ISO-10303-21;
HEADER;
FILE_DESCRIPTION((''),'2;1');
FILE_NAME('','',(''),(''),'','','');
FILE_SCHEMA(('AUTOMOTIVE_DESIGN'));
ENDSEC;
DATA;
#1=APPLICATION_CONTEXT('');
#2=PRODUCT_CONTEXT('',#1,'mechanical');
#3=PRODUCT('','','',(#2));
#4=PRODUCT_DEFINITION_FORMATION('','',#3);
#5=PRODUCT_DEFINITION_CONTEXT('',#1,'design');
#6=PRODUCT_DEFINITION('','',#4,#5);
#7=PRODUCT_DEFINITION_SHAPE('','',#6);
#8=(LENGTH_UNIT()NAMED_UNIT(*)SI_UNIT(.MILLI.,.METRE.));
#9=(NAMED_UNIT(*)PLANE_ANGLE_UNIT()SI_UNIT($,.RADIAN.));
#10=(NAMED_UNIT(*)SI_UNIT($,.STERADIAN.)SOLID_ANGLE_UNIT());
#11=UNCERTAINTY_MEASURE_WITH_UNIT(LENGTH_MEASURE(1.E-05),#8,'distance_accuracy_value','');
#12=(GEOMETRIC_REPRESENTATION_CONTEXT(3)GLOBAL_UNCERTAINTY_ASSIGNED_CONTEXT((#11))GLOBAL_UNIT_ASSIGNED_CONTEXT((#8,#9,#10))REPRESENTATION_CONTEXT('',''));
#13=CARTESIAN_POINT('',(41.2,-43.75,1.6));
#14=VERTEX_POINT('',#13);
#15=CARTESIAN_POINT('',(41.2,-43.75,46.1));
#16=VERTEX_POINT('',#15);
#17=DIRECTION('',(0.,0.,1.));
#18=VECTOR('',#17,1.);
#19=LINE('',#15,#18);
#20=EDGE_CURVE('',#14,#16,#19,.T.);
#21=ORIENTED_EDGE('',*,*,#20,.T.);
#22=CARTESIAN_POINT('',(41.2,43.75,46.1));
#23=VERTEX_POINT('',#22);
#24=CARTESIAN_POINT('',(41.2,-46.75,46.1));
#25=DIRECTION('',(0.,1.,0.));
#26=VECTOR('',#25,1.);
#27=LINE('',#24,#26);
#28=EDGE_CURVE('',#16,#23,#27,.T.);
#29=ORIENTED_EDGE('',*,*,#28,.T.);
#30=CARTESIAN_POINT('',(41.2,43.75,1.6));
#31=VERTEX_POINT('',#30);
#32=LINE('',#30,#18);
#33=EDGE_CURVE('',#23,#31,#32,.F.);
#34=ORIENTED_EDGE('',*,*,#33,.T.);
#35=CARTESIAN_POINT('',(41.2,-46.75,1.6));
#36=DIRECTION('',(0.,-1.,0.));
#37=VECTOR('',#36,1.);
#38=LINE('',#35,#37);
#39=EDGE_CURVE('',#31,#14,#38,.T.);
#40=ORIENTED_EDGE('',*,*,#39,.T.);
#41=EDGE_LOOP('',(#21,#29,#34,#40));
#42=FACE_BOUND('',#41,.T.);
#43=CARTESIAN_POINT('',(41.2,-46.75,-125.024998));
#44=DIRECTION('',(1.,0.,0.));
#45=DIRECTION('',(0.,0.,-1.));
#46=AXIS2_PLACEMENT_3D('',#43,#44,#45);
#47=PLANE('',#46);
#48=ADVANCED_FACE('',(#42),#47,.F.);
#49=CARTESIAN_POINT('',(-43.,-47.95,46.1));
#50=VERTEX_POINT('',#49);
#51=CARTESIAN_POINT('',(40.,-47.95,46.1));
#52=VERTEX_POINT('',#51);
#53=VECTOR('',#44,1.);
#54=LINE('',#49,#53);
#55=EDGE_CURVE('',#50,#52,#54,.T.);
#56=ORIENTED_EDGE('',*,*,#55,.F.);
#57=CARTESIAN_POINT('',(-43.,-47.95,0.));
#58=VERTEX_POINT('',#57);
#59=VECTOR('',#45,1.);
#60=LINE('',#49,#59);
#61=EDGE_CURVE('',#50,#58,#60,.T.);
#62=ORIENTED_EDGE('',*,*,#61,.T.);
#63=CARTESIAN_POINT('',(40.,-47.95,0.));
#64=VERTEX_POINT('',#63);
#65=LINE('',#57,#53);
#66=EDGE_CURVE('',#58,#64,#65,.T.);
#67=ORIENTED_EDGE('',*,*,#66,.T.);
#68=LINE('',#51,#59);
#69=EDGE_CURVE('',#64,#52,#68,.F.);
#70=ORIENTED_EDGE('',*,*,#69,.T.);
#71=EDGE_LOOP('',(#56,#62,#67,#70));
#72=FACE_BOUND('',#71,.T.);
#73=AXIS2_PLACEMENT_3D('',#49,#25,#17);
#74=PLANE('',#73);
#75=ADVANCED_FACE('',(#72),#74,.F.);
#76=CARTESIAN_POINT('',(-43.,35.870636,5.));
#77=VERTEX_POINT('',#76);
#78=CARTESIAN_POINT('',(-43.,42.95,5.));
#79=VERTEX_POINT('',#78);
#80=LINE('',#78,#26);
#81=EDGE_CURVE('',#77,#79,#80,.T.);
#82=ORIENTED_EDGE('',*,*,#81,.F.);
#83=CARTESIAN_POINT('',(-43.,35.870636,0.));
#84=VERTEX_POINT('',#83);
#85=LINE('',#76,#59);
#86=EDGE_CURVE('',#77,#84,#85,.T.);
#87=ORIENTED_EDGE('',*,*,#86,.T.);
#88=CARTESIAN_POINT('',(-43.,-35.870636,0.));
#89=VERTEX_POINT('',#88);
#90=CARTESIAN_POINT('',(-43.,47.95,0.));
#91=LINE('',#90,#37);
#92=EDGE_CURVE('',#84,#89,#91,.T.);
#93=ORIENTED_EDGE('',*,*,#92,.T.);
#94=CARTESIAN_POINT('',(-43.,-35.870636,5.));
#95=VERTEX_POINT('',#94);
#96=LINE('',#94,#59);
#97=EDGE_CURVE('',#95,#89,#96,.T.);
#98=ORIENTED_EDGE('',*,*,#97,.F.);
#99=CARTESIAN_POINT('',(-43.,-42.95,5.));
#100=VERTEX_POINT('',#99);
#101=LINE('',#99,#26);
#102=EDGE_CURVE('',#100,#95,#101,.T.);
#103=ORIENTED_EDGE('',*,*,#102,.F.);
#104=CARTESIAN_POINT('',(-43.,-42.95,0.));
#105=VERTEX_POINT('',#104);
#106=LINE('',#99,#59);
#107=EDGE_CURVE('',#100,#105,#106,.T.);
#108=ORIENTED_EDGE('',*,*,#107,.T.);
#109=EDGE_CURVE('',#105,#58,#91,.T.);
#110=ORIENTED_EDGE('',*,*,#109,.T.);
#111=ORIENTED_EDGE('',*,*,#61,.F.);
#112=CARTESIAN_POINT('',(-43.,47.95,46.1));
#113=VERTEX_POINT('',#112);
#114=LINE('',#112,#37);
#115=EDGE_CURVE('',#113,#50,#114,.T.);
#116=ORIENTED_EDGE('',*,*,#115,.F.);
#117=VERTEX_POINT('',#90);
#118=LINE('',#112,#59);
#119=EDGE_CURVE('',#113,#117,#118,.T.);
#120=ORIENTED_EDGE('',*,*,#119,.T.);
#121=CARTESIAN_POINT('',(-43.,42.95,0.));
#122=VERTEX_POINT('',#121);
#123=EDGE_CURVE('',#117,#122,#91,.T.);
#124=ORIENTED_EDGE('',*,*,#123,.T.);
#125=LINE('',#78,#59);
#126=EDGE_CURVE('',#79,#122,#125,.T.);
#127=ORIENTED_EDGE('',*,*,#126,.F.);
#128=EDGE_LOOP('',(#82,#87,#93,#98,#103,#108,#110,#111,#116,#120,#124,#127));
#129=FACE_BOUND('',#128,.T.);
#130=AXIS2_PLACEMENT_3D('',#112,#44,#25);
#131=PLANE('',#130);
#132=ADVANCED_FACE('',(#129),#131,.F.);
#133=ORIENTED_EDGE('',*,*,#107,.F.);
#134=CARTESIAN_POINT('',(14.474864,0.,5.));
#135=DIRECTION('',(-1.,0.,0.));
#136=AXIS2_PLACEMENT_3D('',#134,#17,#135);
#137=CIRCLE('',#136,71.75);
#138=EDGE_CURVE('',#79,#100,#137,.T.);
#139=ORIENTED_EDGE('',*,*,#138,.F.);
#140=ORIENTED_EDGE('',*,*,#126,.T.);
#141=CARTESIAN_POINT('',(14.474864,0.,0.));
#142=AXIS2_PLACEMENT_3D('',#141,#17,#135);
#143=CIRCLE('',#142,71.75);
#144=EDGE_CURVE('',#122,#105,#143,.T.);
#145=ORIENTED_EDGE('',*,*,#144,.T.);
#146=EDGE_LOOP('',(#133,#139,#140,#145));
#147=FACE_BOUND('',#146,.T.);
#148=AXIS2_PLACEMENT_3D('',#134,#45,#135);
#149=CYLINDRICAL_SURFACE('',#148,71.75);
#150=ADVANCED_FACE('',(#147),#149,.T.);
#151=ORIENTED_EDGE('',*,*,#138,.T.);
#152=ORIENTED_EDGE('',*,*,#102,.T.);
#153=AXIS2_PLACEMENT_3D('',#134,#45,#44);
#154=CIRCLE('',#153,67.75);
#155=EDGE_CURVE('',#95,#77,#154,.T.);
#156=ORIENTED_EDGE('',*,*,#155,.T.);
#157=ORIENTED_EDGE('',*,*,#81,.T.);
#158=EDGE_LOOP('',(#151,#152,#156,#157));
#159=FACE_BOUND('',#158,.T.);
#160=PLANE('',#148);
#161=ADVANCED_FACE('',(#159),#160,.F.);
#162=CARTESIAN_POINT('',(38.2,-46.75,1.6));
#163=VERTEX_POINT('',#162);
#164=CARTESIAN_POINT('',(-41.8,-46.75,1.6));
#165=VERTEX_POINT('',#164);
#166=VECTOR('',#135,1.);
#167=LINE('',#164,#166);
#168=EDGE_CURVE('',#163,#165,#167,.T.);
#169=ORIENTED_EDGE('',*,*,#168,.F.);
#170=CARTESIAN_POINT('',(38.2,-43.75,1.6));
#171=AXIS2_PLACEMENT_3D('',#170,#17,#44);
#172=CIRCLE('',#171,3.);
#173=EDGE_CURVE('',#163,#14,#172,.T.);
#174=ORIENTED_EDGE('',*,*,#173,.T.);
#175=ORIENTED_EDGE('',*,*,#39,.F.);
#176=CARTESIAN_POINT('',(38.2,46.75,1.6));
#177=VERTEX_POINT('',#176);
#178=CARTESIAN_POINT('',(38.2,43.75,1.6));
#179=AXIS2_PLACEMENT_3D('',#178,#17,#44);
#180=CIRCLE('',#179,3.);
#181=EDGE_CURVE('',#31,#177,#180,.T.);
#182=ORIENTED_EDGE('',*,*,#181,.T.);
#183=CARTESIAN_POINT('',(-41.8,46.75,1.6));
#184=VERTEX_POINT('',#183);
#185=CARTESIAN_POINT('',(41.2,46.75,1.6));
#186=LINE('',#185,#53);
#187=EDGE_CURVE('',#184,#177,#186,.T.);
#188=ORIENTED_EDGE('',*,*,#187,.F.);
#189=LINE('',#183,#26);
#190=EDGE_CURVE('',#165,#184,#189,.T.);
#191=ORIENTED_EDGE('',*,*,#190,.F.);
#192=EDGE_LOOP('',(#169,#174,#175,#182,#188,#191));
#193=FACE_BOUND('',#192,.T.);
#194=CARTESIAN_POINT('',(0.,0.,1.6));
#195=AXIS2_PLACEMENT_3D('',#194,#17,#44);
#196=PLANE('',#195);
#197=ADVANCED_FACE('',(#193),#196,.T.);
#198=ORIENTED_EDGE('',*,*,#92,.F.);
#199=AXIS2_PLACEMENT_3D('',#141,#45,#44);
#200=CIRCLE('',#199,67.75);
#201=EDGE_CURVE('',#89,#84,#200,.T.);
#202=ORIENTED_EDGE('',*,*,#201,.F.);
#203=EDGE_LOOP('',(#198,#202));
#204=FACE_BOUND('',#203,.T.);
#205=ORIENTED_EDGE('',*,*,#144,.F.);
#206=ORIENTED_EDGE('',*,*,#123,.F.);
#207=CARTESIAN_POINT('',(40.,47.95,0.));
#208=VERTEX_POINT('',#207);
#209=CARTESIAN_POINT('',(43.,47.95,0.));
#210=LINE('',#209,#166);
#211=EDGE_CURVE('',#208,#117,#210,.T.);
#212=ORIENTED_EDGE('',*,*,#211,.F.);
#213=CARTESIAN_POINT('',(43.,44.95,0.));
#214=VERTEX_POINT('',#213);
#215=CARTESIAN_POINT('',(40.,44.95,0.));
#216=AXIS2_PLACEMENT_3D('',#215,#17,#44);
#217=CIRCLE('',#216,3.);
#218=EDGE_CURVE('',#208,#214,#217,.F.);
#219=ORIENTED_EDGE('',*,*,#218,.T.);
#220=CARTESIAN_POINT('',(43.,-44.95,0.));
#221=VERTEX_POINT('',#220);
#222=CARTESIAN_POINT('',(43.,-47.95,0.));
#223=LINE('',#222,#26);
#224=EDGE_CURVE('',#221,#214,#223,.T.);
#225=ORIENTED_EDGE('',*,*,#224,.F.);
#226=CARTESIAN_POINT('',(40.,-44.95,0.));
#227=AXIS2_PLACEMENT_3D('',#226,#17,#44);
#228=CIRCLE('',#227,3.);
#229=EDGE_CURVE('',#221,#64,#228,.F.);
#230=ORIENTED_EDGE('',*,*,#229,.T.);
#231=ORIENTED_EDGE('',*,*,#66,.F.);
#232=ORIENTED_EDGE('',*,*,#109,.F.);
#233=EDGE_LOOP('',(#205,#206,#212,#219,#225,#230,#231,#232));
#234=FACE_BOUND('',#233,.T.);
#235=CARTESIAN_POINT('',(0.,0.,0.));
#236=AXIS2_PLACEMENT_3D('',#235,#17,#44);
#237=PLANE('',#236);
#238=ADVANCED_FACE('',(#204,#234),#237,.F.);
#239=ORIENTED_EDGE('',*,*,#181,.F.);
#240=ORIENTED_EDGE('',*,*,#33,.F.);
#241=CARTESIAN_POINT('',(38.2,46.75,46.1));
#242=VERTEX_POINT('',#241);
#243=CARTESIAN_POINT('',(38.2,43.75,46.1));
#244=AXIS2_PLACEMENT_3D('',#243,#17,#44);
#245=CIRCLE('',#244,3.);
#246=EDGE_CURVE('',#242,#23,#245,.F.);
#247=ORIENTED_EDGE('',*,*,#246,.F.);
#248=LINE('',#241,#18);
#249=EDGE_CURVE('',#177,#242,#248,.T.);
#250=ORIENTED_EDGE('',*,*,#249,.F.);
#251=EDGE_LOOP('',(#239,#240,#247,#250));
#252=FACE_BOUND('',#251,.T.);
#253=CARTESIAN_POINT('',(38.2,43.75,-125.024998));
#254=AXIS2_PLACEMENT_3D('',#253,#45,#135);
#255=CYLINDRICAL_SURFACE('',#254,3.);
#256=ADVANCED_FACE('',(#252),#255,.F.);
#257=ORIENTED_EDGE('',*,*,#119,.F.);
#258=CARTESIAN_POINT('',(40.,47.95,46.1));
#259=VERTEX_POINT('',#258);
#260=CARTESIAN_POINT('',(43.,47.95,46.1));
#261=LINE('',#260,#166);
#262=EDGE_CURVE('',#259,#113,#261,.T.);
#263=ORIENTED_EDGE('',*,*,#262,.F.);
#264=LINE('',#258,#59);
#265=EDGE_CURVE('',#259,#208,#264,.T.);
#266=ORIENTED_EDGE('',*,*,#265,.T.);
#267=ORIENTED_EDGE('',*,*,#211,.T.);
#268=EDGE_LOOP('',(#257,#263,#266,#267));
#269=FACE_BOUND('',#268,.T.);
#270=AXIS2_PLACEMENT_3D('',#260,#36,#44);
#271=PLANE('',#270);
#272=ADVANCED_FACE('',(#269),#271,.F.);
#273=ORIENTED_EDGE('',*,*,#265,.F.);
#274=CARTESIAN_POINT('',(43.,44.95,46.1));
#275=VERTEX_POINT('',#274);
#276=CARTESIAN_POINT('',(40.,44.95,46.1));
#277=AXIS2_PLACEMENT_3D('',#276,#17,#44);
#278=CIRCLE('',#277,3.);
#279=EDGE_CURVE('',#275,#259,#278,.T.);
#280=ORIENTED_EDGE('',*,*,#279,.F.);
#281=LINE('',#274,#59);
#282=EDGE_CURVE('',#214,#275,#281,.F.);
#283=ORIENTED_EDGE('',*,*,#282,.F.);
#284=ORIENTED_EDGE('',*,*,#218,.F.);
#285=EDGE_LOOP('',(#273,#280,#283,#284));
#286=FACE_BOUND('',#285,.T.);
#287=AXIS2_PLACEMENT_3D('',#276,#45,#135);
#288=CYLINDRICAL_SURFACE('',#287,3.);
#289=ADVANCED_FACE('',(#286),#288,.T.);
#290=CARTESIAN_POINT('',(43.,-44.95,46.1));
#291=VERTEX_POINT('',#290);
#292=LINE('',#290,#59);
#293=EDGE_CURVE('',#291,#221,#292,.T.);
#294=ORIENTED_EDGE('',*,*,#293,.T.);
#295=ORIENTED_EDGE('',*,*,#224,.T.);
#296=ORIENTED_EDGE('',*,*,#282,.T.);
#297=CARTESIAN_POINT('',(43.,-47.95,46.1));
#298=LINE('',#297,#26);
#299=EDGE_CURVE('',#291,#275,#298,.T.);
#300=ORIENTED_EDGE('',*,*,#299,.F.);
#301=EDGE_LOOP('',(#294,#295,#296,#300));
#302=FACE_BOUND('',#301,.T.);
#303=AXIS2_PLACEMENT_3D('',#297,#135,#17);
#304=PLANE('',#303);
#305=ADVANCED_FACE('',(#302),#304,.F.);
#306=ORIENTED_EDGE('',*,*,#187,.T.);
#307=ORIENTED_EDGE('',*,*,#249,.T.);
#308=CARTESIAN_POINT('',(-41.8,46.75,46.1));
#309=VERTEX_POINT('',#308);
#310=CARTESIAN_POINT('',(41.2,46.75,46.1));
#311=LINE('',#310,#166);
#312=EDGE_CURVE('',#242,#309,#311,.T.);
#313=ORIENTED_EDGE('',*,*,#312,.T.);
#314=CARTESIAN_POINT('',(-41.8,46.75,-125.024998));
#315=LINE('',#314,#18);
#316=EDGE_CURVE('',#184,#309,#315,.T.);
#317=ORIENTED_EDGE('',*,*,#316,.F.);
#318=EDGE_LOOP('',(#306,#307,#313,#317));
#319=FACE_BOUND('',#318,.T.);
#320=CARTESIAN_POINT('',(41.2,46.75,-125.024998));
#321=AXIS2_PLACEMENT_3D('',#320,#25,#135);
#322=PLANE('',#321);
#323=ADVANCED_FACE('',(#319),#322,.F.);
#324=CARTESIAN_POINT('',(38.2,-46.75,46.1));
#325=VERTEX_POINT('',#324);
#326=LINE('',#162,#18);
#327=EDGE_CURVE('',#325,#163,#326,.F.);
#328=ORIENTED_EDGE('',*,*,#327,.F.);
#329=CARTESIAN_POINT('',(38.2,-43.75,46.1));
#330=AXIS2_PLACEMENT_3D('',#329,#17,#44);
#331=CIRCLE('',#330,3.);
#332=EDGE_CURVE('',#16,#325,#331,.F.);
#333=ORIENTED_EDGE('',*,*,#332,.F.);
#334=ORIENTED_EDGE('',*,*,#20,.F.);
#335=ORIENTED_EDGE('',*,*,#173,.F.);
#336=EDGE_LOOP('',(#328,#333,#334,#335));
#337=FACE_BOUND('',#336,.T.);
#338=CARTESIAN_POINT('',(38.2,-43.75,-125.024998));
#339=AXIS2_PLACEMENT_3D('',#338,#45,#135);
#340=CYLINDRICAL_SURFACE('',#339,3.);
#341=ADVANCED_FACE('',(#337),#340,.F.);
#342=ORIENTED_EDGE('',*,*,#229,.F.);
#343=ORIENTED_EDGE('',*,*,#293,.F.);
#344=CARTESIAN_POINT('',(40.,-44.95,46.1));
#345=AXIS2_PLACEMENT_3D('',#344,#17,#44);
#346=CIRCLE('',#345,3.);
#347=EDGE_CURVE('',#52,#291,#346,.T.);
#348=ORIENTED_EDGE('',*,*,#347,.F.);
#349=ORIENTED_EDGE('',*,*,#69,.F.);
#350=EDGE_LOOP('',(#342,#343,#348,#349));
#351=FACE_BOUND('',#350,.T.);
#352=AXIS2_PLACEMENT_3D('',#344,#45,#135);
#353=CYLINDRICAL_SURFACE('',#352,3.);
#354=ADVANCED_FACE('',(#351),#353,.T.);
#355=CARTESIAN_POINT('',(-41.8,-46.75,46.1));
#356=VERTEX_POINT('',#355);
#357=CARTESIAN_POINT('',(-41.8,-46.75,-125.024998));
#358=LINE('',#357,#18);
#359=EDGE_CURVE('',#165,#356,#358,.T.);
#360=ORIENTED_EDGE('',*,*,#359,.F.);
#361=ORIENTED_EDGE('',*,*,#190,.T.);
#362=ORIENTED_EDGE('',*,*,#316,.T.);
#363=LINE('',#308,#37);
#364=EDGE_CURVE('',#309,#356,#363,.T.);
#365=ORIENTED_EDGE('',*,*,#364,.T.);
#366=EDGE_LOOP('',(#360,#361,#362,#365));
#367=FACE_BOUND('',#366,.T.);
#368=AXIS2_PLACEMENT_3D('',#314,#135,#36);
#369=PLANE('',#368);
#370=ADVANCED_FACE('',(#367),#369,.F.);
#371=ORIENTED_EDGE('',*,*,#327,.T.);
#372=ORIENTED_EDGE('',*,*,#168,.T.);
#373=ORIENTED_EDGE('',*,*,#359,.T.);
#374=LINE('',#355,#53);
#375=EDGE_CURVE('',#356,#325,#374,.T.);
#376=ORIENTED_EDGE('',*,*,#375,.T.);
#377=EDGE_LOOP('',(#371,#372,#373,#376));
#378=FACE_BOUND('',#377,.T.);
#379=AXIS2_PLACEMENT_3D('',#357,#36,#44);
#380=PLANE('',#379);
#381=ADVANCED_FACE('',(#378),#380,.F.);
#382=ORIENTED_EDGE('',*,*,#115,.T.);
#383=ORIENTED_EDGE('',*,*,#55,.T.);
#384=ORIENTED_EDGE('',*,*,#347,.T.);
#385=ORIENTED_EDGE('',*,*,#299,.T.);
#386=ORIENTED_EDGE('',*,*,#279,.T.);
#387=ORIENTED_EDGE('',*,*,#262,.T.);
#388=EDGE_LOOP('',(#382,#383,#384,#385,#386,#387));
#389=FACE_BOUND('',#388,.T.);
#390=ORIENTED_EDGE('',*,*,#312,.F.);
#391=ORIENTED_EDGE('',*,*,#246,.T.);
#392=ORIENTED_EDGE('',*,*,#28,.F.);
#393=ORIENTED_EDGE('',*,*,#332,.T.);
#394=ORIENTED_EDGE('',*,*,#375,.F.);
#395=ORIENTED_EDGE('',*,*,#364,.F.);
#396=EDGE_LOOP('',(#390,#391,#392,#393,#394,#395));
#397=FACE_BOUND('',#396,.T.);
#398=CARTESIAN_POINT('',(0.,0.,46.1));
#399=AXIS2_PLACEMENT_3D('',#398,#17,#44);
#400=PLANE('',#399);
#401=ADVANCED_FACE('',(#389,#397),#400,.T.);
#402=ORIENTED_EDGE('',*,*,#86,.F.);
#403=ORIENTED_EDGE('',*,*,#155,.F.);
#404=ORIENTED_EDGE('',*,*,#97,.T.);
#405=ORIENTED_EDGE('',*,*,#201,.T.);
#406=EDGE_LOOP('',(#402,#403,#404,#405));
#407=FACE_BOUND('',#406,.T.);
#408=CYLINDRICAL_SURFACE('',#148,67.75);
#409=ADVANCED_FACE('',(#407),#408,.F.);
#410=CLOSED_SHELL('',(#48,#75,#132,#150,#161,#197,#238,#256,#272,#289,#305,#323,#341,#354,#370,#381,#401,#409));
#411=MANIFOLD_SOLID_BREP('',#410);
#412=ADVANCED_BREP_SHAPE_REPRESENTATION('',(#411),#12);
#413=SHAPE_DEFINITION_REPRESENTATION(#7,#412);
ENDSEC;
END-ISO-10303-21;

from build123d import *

# Parameters (mm, degrees)
SKETCH_1_W          = 86
SKETCH_1_H          = 95.9
EXTRUDE_1_DEPTH     = 46.1
EXTRUDE_2_DEPTH     = 5
SKETCH_3_W          = 83
SKETCH_3_H          = 93.5
CUT_EXTRUDE_1_DEPTH = 44.5
FILLET_1_R          = 3


with BuildPart() as part:
    # Эскиз1 → Бобышка-Вытянуть1 (new body)
    with BuildSketch(Plane.XY):
        Rectangle(SKETCH_1_W, SKETCH_1_H)
    extrude(amount=EXTRUDE_1_DEPTH)

    # Эскиз2 → Бобышка-Вытянуть2 (add)
    with BuildSketch(Plane.XY):
        with BuildLine():
            Line((-43, 42.95), (-43, 35.870635623))
            ThreePointArc((-43, 35.870635623), (-53.275135929, 0), (-43, -35.870635623))
            Line((-43, -35.870635623), (-43, -42.95))
            ThreePointArc((-43, -42.95), (-57.275135929, 0), (-43, 42.95))
        make_face()
    extrude(amount=EXTRUDE_2_DEPTH)

    # Эскиз3 → Вырез-Вытянуть1 (cut)
    with BuildSketch(Plane.XY.offset(46.1)):
        with Locations((-0.3, 0)):
            Rectangle(SKETCH_3_W, SKETCH_3_H)
    extrude(amount=-CUT_EXTRUDE_1_DEPTH, mode=Mode.SUBTRACT)

    # Скругление1
    fillet_1_edges = [part.edges().sort_by_distance(p)[0] for p in [
        (41.2, 46.75, 23.85),
        (41.2, -46.75, 23.85),
        (43, 47.95, 23.05),
        (43, -47.95, 23.05),
    ]]
    fillet(fillet_1_edges, radius=FILLET_1_R)


solid = part.part
